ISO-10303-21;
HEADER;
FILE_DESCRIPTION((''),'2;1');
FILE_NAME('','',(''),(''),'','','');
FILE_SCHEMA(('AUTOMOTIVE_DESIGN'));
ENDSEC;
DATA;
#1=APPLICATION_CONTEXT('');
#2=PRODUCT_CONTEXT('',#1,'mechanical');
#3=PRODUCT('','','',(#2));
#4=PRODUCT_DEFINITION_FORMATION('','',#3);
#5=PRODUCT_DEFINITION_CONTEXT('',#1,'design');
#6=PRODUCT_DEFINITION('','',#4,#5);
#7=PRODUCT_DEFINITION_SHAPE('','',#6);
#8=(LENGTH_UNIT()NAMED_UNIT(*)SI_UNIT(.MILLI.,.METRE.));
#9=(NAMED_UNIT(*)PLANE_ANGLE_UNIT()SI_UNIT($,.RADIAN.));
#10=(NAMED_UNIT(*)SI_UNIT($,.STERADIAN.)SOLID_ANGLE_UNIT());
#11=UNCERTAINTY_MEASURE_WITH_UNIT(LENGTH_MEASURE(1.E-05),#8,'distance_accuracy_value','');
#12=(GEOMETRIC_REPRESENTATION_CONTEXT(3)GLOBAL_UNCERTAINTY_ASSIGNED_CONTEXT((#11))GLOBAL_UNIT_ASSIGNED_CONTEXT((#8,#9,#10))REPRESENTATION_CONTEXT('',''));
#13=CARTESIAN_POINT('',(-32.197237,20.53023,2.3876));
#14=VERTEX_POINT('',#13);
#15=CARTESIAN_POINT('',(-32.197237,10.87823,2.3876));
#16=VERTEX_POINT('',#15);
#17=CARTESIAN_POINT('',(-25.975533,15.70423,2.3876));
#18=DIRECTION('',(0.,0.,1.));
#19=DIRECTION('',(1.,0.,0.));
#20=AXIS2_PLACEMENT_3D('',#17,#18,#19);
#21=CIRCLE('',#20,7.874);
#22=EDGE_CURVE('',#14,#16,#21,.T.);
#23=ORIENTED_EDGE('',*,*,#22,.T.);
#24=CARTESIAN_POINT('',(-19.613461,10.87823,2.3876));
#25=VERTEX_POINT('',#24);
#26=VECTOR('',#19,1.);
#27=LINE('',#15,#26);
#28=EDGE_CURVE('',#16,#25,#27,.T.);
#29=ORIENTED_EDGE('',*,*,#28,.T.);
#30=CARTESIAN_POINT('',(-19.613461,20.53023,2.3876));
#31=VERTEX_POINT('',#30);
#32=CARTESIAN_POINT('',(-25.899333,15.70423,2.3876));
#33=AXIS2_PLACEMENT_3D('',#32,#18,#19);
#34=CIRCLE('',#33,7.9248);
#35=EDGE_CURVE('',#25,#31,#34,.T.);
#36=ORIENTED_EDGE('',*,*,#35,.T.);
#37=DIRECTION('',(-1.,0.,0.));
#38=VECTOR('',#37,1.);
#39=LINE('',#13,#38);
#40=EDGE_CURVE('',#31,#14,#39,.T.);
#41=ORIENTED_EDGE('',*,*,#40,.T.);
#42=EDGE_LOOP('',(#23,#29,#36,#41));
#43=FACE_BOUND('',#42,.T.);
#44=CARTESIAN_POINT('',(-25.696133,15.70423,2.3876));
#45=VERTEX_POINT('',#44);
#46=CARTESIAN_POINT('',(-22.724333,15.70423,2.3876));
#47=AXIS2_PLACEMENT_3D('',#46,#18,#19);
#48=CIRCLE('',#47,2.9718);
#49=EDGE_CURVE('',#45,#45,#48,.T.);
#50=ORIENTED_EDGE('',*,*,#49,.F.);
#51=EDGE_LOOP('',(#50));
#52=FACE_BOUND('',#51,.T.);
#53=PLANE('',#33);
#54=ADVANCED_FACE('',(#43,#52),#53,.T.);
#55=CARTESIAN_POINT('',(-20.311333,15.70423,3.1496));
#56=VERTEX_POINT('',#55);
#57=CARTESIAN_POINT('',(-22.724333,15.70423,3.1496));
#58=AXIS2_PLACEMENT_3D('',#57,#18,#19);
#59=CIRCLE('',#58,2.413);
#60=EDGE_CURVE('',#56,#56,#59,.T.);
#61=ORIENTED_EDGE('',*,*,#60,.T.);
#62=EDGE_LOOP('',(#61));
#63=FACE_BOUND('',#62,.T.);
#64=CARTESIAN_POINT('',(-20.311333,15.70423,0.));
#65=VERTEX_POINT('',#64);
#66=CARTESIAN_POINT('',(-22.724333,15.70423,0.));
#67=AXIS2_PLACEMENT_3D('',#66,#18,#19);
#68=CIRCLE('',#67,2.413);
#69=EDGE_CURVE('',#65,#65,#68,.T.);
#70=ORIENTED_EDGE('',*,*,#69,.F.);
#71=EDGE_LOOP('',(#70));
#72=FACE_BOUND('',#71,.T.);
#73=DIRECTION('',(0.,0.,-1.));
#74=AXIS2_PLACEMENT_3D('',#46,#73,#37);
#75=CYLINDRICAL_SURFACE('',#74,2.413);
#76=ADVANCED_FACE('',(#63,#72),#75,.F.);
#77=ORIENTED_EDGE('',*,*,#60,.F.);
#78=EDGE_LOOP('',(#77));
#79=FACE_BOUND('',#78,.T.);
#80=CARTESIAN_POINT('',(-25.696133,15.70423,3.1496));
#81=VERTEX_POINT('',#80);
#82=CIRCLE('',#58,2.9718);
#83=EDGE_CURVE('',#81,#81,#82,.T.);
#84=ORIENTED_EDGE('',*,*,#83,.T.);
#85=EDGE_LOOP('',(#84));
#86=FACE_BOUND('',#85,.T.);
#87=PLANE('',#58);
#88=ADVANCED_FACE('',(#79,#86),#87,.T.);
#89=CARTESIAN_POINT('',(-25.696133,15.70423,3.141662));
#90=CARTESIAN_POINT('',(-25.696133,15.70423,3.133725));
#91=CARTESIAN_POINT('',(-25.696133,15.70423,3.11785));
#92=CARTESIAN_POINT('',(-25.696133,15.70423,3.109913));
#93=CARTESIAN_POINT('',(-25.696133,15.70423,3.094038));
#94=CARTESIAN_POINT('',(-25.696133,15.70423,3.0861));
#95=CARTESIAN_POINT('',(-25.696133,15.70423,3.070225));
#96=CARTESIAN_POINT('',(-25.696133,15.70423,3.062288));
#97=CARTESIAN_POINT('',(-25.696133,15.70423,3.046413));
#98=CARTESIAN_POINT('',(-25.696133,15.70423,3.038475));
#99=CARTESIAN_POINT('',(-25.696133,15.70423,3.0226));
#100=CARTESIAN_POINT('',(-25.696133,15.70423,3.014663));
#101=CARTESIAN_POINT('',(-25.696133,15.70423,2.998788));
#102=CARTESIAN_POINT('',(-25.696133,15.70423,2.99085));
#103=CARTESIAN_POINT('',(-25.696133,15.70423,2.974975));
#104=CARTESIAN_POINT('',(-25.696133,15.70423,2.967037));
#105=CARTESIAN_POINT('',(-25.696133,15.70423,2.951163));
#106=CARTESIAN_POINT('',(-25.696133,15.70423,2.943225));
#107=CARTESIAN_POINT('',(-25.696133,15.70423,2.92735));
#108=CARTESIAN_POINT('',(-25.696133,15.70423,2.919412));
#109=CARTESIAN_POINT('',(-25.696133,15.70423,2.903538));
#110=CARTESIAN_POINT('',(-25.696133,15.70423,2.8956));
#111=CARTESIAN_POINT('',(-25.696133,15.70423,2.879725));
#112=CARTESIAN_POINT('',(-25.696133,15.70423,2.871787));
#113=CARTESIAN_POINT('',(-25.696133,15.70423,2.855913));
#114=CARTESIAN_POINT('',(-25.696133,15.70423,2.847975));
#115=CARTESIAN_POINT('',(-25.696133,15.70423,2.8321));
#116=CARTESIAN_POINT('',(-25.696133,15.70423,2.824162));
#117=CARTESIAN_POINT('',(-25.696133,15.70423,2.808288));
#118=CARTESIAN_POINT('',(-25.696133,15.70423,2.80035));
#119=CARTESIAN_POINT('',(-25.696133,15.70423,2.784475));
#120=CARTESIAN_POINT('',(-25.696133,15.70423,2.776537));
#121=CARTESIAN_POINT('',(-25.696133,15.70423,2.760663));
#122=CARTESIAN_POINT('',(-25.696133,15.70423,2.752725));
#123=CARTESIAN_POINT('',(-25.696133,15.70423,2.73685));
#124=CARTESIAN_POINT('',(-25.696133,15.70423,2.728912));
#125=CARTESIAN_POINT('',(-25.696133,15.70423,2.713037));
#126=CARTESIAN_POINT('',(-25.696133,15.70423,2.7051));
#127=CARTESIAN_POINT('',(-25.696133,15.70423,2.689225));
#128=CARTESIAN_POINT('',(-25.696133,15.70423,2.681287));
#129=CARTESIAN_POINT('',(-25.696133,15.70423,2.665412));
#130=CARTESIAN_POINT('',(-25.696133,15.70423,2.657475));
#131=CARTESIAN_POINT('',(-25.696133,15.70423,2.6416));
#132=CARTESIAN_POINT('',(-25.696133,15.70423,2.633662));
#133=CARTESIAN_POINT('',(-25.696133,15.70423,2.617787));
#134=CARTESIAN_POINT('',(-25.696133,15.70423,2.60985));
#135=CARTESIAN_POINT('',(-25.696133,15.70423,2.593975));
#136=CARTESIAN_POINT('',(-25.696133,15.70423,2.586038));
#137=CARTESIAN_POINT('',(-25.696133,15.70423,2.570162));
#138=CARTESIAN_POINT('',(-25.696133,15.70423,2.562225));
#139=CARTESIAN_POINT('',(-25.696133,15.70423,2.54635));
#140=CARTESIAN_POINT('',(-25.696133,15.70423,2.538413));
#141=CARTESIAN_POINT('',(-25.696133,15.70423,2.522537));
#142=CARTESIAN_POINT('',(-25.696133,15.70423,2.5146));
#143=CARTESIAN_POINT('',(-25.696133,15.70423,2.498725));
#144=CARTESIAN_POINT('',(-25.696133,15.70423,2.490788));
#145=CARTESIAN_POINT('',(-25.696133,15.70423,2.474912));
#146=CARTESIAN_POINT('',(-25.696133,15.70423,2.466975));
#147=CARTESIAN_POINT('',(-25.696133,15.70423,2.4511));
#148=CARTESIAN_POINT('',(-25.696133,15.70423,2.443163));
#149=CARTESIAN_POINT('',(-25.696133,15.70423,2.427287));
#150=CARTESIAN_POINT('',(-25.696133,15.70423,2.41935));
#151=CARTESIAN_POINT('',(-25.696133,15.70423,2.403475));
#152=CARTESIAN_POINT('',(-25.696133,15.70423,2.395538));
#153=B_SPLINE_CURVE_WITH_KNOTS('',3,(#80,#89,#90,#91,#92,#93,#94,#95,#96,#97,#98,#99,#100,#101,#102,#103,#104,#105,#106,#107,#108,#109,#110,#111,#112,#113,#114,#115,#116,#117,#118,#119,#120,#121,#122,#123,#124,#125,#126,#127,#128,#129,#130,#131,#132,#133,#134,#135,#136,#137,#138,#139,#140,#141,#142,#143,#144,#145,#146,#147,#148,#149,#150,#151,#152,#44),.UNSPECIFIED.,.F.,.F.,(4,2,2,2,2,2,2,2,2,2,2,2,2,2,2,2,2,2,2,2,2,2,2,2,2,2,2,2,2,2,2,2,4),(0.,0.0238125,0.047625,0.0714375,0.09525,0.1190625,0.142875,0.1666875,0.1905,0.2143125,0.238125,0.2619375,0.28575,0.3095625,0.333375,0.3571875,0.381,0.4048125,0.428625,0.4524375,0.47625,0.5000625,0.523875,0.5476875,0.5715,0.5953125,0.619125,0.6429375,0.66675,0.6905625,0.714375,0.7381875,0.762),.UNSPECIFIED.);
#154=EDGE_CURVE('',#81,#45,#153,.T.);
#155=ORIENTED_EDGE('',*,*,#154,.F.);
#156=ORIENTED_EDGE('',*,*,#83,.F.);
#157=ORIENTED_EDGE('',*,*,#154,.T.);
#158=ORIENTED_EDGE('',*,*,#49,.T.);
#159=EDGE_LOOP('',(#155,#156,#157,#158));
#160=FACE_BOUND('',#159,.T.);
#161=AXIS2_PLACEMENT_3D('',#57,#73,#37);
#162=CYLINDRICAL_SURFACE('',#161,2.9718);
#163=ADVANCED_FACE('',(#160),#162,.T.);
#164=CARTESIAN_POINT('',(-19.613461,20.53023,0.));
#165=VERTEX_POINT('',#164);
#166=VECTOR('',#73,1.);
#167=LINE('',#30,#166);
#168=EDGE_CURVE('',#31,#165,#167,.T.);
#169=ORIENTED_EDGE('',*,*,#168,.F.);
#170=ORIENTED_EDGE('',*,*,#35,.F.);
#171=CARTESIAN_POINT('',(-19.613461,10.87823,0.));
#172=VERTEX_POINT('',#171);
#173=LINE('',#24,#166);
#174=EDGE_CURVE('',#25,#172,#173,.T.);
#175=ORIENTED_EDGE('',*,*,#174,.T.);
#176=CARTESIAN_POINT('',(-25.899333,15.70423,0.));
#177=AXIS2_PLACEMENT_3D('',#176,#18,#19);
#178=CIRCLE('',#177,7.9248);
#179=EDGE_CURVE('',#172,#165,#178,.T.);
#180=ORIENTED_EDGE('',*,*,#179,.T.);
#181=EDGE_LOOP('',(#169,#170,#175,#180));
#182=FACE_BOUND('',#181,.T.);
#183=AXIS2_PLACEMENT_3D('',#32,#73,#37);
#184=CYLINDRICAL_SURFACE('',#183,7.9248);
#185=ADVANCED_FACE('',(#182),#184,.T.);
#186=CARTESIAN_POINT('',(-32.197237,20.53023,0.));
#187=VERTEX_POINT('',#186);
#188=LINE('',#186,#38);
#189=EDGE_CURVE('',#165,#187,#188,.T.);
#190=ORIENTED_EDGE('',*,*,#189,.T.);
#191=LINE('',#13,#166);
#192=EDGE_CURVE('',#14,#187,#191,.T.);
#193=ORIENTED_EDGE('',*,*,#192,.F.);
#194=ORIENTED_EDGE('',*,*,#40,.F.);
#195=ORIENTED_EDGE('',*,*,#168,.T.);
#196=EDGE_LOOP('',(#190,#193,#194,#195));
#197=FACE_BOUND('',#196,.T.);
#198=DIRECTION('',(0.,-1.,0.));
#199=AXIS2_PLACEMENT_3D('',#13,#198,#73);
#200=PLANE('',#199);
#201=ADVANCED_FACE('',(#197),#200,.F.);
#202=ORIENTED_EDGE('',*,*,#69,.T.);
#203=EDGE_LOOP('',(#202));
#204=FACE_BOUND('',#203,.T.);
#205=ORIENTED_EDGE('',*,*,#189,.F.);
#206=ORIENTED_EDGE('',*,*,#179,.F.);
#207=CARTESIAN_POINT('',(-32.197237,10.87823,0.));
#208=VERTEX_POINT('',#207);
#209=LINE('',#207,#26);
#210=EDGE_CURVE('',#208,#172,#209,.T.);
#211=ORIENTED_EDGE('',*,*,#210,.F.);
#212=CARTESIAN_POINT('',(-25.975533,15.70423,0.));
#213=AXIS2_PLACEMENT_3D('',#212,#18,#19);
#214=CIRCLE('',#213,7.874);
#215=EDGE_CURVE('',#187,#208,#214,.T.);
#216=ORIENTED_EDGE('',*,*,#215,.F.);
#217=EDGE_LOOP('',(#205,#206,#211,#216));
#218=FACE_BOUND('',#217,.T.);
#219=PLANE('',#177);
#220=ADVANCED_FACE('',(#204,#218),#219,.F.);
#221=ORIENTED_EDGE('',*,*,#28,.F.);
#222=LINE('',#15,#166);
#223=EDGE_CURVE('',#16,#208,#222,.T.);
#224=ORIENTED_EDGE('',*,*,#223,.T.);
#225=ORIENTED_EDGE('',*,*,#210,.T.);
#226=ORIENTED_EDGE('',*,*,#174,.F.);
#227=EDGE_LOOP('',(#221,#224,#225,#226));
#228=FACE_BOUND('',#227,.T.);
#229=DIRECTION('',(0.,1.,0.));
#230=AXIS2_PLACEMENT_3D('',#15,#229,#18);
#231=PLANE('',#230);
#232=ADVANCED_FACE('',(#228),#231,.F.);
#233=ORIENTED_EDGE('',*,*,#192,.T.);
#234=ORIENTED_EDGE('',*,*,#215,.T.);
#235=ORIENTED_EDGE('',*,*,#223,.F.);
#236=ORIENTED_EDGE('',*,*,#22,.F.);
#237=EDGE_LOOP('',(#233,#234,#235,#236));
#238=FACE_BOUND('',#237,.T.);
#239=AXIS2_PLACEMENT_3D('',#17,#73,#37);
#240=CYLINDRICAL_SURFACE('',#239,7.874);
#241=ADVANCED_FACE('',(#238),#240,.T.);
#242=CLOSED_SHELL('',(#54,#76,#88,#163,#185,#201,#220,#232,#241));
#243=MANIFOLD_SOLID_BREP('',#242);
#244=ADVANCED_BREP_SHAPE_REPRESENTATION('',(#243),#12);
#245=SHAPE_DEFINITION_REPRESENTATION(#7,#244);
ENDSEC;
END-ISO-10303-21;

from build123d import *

# Parameters (mm, degrees)
SKETCH1_R      = 2.413
EXTRUDE1_DEPTH = 2.3876
SKETCH2_R      = 2.9718
SKETCH2_R_2    = 2.413
EXTRUDE2_DEPTH = 0.762


with BuildPart() as part:
    # Sketch1 → Extrude1 (new body)
    with BuildSketch(Plane.XY):
        with BuildLine():
            Line((-32.197236546, 20.530230269), (-19.613461217, 20.530230269))
            ThreePointArc((-19.613461217, 20.530230269), (-17.9745326, 15.704230269), (-19.613461217, 10.878230269))
            Line((-19.613461217, 10.878230269), (-32.197236546, 10.878230269))
            ThreePointArc((-32.197236546, 10.878230269), (-33.8495326, 15.704230269), (-32.197236546, 20.530230269))
        make_face()
        with Locations((-22.7243326, 15.704230269)):
            Circle(SKETCH1_R, mode=Mode.SUBTRACT)
    extrude(amount=EXTRUDE1_DEPTH)

    # Sketch2 → Extrude2 (add)
    with BuildSketch(Plane.XY.offset(2.3876)):
        with Locations(Location((-22.7243326, 15.704230269, 0), (0, 0, 180))):
            Circle(SKETCH2_R)
        with Locations((-22.7243326, 15.704230269)):
            Circle(SKETCH2_R_2, mode=Mode.SUBTRACT)
    extrude(amount=EXTRUDE2_DEPTH)


solid = part.part
